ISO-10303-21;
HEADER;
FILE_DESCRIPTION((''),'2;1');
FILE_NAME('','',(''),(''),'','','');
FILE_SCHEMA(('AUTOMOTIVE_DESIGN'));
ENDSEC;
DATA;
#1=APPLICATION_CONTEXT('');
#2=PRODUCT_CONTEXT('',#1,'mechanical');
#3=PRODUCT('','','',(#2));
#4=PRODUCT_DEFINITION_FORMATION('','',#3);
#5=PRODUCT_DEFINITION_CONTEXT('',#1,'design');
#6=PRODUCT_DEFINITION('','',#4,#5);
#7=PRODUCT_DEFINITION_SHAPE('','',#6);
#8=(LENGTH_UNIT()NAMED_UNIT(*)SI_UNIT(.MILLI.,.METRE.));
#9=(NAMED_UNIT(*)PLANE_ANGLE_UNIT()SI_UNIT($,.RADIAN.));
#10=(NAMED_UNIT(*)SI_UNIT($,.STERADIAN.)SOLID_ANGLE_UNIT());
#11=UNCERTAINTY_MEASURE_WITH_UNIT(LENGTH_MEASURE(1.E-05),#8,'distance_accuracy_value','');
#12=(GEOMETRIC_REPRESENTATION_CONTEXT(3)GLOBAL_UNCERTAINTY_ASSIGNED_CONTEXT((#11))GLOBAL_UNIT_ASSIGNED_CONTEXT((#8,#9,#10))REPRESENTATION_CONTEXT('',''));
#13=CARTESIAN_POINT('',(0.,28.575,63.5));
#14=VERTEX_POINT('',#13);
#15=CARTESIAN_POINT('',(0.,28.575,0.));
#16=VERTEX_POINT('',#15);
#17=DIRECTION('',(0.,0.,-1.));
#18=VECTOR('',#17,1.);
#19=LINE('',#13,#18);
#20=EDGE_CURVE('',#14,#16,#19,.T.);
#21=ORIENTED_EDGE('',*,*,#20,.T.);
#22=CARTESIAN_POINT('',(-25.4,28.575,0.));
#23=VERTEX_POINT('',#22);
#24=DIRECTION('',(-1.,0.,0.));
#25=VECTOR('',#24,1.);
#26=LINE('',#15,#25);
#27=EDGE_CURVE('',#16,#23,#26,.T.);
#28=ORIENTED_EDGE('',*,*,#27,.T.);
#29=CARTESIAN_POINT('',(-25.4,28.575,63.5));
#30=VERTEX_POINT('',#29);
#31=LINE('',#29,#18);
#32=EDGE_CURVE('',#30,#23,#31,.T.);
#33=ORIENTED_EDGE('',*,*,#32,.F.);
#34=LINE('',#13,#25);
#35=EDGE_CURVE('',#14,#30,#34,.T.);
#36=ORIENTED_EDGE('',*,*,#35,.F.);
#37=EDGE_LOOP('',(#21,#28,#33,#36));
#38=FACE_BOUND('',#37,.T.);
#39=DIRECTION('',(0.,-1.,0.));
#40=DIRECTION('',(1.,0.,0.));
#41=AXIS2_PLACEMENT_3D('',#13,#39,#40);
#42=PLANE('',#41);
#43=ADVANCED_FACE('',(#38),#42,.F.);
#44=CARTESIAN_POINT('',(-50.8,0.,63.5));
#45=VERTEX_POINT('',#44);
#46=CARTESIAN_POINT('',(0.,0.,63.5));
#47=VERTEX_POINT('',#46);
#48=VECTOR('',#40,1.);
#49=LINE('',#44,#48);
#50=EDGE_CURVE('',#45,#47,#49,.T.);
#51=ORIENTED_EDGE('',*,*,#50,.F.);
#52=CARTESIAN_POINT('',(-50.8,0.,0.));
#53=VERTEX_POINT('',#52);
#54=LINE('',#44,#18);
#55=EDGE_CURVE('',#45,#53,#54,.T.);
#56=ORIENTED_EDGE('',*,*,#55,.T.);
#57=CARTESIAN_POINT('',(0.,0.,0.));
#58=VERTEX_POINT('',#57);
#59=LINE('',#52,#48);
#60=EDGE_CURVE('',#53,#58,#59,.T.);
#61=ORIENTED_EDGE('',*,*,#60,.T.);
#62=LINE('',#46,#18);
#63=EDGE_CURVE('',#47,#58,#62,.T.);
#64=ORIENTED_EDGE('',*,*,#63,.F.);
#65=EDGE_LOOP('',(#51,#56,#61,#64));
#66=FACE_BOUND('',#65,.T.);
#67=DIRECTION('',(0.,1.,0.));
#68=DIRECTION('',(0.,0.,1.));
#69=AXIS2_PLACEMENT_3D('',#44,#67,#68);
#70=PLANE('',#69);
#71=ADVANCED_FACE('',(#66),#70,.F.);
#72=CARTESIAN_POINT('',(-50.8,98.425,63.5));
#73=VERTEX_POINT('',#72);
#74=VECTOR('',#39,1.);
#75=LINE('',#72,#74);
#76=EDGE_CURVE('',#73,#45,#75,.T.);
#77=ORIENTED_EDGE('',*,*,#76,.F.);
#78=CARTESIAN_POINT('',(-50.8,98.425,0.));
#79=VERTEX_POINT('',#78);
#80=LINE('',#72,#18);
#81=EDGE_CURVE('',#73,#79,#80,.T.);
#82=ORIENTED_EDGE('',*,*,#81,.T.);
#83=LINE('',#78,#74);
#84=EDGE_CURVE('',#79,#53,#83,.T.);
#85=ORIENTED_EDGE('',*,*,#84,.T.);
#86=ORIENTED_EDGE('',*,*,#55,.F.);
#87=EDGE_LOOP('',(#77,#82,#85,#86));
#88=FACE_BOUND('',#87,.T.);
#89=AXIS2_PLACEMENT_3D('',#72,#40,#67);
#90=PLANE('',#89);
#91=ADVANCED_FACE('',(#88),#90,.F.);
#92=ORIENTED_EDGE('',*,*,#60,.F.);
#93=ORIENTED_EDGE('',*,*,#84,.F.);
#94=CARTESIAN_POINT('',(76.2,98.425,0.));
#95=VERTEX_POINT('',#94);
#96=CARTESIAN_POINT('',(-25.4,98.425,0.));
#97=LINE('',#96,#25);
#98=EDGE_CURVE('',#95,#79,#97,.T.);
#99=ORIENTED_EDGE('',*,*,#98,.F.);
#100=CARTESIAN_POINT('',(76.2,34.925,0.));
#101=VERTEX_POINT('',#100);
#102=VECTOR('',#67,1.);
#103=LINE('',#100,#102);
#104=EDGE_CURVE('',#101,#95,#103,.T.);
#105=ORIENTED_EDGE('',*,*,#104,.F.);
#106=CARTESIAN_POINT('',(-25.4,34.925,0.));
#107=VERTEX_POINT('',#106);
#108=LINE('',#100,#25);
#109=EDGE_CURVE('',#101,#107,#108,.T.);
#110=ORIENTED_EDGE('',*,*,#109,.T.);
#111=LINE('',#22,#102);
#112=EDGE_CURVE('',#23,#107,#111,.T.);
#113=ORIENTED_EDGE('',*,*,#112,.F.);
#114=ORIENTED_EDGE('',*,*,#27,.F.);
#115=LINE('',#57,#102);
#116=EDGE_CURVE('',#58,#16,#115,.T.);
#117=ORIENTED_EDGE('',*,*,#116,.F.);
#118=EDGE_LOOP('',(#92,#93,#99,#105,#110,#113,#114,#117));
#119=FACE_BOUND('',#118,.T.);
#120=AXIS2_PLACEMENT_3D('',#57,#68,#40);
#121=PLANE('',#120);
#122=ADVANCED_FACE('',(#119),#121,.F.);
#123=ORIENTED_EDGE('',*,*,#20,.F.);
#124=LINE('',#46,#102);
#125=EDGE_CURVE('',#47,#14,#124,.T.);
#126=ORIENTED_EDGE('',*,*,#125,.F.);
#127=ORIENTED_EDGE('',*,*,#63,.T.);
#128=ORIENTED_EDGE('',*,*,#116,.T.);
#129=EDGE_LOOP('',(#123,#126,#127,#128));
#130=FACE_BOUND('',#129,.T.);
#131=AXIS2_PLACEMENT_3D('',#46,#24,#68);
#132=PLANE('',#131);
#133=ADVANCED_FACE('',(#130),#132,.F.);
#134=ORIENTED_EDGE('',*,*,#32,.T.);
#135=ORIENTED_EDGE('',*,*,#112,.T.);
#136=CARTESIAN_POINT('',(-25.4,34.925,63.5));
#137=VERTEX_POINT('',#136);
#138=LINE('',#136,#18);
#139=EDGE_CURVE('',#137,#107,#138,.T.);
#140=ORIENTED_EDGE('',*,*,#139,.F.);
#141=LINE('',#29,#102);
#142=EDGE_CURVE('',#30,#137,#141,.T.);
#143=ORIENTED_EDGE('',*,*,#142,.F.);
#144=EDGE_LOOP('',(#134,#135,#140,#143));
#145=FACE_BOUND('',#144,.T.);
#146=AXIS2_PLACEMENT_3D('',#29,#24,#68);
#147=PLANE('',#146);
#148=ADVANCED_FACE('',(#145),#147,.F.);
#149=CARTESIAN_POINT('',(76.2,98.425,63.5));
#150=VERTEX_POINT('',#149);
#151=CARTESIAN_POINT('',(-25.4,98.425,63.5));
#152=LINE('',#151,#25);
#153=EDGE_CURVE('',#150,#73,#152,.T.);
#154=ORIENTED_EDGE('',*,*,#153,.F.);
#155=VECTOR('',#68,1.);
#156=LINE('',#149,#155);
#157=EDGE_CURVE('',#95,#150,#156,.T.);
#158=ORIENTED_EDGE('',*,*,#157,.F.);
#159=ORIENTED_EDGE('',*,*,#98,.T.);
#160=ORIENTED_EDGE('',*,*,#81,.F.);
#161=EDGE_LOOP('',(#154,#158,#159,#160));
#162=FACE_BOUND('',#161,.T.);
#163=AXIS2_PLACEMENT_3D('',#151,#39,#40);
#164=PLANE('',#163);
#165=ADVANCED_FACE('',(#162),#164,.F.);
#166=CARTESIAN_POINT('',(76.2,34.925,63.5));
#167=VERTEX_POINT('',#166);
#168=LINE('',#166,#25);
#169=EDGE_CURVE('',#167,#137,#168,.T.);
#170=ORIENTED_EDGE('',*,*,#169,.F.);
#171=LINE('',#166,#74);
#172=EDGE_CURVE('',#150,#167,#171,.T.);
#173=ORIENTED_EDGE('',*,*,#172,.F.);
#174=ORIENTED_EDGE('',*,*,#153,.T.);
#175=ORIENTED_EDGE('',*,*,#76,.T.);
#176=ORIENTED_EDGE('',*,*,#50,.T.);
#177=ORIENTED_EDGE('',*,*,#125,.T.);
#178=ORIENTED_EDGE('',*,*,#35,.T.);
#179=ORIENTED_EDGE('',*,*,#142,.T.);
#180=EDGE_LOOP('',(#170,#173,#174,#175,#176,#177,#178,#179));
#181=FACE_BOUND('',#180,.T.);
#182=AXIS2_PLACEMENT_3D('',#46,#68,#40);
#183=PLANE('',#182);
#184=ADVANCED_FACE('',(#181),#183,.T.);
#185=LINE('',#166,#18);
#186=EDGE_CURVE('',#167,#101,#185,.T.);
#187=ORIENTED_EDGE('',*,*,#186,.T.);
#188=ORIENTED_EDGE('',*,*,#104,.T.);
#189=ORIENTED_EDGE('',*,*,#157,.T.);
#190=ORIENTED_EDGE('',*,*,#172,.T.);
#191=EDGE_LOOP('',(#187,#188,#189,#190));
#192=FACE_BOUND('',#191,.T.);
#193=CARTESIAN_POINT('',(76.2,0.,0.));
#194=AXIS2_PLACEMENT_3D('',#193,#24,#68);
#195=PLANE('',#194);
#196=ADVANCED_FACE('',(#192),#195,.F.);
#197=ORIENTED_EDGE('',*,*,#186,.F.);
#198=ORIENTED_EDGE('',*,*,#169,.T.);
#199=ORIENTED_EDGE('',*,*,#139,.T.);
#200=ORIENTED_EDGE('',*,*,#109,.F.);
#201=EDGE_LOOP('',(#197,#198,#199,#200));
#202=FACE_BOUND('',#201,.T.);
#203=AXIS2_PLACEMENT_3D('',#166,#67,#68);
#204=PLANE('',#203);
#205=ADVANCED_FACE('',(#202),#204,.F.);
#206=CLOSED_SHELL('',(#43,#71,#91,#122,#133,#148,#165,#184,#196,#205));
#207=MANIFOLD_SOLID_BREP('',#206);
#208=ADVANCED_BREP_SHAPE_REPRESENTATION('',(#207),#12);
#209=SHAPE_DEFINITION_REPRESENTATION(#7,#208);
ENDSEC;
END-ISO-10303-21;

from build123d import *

# Parameters (mm, degrees)
BOSS_EXTRUDE1_DEPTH = 63.5
SKETCH2_W           = 63.5
SKETCH2_H           = 63.5
BOSS_EXTRUDE2_DEPTH = 101.6


with BuildPart() as part:
    # Sketch1 → Boss-Extrude1 (new body)
    with BuildSketch(Plane.XY):
        Polygon((0, 0), (0, 28.575), (-25.4, 28.575), (-25.4, 98.425), (-50.8, 98.425), (-50.8, 0), align=None)
    extrude(amount=BOSS_EXTRUDE1_DEPTH)

    # Sketch2 → Boss-Extrude2 (add)
    with BuildSketch(Plane(origin=(-25.4, 0, 0), x_dir=(0, 0, -1), z_dir=(1, 0, 0))):
        with Locations((-31.75, 66.675)):
            Rectangle(SKETCH2_W, SKETCH2_H)
    extrude(amount=BOSS_EXTRUDE2_DEPTH)


solid = part.part
